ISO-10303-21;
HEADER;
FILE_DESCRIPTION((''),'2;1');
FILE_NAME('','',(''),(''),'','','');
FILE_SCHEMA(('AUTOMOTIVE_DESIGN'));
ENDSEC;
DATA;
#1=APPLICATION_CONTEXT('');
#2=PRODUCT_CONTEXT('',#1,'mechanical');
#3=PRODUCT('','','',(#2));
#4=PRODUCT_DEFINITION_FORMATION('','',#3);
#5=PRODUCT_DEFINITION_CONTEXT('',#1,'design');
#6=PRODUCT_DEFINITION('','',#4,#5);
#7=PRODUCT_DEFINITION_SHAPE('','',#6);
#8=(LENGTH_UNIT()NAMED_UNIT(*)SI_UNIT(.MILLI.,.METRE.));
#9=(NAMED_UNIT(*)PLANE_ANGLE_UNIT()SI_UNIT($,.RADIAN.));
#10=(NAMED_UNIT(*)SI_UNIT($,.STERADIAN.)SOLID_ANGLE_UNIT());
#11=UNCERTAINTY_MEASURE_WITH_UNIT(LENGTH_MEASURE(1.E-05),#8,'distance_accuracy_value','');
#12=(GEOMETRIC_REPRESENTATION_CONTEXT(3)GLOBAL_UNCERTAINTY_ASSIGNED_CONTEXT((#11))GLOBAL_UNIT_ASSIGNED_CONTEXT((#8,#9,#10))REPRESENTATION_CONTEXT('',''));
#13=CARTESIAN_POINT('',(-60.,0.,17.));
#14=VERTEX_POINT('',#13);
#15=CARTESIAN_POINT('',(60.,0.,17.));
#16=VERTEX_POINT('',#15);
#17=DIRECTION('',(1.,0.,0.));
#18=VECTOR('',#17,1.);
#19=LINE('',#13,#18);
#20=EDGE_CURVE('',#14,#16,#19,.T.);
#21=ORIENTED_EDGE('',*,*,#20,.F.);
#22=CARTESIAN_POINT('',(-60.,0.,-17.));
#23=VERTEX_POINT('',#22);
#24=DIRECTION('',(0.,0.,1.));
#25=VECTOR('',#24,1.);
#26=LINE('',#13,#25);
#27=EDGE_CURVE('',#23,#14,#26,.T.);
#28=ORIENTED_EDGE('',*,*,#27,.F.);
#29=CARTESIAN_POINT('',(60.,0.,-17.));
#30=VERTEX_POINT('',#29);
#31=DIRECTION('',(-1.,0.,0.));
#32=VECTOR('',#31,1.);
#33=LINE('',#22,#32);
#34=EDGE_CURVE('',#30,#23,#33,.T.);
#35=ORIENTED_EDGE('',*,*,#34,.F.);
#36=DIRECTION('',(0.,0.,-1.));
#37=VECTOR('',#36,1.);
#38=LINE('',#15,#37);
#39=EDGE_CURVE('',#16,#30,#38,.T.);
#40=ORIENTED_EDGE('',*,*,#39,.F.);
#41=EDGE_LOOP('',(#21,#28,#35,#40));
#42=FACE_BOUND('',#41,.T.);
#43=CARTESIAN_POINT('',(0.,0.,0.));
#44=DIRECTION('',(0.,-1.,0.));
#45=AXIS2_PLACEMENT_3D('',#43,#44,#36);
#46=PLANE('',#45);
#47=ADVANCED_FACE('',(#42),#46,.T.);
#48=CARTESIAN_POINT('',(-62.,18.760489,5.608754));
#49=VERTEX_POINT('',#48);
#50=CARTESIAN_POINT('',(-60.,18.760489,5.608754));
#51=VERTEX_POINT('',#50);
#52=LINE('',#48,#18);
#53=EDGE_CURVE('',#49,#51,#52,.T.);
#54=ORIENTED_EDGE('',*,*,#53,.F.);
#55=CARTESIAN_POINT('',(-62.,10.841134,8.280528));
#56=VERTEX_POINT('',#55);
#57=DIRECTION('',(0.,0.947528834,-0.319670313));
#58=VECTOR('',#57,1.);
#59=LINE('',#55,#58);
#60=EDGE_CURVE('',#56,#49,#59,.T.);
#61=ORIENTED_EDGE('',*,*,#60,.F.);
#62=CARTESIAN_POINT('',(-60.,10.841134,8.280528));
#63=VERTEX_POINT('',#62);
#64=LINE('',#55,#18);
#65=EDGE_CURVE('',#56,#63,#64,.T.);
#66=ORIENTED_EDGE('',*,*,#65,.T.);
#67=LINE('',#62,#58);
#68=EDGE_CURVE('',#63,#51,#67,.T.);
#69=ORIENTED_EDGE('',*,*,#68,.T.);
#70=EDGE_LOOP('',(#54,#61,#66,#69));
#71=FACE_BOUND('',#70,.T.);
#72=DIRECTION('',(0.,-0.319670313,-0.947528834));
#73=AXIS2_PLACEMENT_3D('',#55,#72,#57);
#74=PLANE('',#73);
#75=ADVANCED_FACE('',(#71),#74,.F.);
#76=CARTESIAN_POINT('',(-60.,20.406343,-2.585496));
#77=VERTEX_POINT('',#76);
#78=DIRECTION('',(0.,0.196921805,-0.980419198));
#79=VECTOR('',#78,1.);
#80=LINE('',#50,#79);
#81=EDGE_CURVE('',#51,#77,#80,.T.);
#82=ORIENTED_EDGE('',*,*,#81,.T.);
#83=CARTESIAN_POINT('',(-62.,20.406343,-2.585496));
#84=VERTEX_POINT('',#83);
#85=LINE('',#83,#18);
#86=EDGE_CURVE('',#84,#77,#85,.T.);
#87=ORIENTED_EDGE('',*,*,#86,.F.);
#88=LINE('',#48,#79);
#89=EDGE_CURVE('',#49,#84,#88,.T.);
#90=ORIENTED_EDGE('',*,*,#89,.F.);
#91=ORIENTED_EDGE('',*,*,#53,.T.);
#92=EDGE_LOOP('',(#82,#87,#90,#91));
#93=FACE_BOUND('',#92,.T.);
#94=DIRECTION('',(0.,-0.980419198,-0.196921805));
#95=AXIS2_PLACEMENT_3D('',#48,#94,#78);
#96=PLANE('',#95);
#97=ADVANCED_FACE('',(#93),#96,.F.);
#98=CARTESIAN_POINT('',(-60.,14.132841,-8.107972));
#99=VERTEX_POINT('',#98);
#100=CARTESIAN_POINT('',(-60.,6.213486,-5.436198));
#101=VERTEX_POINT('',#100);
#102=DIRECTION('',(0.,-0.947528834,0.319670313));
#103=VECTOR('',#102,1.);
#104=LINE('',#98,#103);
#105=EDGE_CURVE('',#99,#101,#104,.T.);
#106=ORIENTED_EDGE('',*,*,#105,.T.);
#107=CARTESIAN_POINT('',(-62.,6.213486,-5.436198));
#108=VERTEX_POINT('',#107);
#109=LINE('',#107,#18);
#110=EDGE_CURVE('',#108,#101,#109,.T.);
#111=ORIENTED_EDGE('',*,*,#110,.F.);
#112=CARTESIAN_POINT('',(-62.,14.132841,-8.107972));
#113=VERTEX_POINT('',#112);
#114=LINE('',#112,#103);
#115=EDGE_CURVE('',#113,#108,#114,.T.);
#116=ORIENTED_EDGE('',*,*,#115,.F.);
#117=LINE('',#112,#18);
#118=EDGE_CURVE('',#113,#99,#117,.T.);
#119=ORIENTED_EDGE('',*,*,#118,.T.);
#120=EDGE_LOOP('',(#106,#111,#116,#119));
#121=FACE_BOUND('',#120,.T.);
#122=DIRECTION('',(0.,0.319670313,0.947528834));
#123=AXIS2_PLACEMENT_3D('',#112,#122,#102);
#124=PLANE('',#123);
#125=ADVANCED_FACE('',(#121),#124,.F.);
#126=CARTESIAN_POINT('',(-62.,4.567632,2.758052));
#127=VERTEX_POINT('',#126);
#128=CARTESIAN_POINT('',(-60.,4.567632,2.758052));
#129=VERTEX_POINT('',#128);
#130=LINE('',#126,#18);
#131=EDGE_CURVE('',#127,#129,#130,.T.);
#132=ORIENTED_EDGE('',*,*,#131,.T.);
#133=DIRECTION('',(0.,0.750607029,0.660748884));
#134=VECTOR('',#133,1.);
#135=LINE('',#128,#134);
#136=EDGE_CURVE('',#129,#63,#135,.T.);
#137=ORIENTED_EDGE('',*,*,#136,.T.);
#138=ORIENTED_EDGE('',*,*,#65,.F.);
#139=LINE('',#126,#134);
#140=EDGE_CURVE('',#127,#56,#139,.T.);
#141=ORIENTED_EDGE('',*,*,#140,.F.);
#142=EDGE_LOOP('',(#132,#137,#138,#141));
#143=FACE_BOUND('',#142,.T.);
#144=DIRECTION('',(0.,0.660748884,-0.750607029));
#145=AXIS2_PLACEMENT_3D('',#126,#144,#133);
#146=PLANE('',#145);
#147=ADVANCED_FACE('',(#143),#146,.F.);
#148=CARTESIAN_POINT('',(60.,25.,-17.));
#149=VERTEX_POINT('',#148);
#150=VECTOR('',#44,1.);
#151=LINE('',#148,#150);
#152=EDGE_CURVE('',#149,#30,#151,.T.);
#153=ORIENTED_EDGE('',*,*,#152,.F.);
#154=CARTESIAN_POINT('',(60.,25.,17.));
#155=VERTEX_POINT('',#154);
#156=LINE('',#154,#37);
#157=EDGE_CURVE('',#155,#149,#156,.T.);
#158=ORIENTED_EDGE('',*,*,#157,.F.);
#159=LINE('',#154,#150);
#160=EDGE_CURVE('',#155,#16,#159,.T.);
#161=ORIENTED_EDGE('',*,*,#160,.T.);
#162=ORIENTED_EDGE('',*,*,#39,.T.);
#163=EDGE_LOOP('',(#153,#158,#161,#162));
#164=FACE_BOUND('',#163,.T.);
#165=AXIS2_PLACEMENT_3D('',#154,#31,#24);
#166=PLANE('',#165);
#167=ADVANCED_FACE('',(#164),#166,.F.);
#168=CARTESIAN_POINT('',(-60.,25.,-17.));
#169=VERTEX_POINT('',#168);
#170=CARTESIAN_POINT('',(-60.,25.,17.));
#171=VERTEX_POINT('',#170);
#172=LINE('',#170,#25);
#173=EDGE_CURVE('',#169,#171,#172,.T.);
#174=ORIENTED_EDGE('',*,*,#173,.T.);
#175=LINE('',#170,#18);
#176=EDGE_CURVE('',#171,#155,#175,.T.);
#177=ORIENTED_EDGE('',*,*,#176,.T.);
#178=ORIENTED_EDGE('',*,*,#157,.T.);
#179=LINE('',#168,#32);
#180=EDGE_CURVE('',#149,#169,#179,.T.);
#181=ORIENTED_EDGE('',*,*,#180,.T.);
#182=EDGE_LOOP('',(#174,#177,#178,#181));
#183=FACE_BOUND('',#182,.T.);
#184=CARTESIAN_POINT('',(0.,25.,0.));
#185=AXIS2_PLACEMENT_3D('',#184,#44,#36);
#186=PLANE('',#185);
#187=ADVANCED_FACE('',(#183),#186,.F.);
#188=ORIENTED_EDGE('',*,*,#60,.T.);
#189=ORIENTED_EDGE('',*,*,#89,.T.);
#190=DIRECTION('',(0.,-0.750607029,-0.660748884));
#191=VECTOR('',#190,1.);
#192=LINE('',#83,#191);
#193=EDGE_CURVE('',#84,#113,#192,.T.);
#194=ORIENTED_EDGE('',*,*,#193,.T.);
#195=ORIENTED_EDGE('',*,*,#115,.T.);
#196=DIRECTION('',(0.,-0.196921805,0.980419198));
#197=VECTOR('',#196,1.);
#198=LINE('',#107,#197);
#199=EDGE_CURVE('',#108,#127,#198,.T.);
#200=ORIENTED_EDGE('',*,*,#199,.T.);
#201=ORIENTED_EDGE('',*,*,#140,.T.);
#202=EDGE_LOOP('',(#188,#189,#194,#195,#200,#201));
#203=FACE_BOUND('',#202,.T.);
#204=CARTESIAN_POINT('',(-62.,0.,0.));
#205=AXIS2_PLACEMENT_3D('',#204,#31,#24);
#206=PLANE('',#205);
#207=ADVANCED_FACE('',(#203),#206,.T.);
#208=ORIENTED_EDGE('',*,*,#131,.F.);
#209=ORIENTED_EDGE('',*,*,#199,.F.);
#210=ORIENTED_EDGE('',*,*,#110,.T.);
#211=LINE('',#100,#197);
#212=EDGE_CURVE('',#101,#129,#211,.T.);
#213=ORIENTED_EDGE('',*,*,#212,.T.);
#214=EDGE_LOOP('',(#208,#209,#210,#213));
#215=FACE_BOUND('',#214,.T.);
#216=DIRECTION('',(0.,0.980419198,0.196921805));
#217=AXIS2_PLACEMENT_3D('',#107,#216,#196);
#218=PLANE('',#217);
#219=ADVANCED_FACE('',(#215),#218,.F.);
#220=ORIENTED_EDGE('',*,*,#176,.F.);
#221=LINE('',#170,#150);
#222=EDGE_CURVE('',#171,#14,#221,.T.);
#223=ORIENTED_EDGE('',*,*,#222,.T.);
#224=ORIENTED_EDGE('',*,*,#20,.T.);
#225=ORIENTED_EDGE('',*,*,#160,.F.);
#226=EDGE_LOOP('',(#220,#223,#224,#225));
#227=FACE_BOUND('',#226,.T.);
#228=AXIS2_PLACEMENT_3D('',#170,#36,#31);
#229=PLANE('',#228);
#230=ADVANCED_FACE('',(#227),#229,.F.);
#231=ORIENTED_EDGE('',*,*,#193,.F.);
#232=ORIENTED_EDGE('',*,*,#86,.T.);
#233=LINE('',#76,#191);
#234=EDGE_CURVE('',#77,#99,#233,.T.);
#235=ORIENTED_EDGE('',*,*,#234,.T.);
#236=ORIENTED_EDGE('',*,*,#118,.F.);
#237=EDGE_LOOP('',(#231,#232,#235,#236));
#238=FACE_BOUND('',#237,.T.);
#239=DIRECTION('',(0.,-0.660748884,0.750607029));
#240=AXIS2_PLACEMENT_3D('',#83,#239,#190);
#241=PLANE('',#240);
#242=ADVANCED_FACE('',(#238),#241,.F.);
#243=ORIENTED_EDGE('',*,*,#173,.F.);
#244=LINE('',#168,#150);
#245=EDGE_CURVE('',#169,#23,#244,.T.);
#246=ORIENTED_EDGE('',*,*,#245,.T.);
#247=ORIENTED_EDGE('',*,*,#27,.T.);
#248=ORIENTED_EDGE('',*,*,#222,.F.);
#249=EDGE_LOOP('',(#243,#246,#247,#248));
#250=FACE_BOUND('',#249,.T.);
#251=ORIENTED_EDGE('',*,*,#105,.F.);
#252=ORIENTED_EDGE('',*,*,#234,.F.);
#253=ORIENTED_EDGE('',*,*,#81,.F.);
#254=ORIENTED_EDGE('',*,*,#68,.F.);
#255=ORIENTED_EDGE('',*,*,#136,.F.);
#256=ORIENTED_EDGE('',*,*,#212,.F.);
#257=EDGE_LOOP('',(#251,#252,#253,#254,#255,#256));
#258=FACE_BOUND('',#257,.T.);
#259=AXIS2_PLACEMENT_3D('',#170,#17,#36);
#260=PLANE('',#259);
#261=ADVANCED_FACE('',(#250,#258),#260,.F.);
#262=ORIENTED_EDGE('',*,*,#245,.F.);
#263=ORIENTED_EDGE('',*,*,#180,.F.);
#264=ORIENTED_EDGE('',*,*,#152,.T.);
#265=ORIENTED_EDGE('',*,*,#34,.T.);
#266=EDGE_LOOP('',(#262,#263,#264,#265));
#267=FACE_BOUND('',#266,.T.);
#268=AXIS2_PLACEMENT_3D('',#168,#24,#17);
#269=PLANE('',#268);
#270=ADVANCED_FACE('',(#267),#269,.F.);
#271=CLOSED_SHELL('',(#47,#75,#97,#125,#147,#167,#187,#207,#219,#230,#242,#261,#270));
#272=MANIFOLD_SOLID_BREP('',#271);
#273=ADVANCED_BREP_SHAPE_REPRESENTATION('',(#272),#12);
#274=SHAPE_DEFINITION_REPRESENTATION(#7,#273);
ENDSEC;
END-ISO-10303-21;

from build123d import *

# Parameters (mm, degrees)
SKETCH1_W           = 120
SKETCH1_H           = 34
BOSS_EXTRUDE1_DEPTH = 25
BOSS_EXTRUDE2_DEPTH = 2


with BuildPart() as part:
    # Sketch1 → Boss-Extrude1 (new body)
    with BuildSketch(Plane(origin=(0, 0, 0), x_dir=(1, 0, 0), z_dir=(0, 1, 0))):
        Rectangle(SKETCH1_W, SKETCH1_H)
    extrude(amount=BOSS_EXTRUDE1_DEPTH)

    # Sketch2 → Boss-Extrude2 (add)
    with BuildSketch(Plane.ZY.offset(60)):
        Polygon((8.280528472, 10.841133841), (5.608754496, 18.760489421), (-2.585495606, 20.406343074), (-8.107971731, 14.132841147), (-5.436197754, 6.213485568), (2.758052347, 4.567631915), align=None)
    extrude(amount=BOSS_EXTRUDE2_DEPTH)


solid = part.part
